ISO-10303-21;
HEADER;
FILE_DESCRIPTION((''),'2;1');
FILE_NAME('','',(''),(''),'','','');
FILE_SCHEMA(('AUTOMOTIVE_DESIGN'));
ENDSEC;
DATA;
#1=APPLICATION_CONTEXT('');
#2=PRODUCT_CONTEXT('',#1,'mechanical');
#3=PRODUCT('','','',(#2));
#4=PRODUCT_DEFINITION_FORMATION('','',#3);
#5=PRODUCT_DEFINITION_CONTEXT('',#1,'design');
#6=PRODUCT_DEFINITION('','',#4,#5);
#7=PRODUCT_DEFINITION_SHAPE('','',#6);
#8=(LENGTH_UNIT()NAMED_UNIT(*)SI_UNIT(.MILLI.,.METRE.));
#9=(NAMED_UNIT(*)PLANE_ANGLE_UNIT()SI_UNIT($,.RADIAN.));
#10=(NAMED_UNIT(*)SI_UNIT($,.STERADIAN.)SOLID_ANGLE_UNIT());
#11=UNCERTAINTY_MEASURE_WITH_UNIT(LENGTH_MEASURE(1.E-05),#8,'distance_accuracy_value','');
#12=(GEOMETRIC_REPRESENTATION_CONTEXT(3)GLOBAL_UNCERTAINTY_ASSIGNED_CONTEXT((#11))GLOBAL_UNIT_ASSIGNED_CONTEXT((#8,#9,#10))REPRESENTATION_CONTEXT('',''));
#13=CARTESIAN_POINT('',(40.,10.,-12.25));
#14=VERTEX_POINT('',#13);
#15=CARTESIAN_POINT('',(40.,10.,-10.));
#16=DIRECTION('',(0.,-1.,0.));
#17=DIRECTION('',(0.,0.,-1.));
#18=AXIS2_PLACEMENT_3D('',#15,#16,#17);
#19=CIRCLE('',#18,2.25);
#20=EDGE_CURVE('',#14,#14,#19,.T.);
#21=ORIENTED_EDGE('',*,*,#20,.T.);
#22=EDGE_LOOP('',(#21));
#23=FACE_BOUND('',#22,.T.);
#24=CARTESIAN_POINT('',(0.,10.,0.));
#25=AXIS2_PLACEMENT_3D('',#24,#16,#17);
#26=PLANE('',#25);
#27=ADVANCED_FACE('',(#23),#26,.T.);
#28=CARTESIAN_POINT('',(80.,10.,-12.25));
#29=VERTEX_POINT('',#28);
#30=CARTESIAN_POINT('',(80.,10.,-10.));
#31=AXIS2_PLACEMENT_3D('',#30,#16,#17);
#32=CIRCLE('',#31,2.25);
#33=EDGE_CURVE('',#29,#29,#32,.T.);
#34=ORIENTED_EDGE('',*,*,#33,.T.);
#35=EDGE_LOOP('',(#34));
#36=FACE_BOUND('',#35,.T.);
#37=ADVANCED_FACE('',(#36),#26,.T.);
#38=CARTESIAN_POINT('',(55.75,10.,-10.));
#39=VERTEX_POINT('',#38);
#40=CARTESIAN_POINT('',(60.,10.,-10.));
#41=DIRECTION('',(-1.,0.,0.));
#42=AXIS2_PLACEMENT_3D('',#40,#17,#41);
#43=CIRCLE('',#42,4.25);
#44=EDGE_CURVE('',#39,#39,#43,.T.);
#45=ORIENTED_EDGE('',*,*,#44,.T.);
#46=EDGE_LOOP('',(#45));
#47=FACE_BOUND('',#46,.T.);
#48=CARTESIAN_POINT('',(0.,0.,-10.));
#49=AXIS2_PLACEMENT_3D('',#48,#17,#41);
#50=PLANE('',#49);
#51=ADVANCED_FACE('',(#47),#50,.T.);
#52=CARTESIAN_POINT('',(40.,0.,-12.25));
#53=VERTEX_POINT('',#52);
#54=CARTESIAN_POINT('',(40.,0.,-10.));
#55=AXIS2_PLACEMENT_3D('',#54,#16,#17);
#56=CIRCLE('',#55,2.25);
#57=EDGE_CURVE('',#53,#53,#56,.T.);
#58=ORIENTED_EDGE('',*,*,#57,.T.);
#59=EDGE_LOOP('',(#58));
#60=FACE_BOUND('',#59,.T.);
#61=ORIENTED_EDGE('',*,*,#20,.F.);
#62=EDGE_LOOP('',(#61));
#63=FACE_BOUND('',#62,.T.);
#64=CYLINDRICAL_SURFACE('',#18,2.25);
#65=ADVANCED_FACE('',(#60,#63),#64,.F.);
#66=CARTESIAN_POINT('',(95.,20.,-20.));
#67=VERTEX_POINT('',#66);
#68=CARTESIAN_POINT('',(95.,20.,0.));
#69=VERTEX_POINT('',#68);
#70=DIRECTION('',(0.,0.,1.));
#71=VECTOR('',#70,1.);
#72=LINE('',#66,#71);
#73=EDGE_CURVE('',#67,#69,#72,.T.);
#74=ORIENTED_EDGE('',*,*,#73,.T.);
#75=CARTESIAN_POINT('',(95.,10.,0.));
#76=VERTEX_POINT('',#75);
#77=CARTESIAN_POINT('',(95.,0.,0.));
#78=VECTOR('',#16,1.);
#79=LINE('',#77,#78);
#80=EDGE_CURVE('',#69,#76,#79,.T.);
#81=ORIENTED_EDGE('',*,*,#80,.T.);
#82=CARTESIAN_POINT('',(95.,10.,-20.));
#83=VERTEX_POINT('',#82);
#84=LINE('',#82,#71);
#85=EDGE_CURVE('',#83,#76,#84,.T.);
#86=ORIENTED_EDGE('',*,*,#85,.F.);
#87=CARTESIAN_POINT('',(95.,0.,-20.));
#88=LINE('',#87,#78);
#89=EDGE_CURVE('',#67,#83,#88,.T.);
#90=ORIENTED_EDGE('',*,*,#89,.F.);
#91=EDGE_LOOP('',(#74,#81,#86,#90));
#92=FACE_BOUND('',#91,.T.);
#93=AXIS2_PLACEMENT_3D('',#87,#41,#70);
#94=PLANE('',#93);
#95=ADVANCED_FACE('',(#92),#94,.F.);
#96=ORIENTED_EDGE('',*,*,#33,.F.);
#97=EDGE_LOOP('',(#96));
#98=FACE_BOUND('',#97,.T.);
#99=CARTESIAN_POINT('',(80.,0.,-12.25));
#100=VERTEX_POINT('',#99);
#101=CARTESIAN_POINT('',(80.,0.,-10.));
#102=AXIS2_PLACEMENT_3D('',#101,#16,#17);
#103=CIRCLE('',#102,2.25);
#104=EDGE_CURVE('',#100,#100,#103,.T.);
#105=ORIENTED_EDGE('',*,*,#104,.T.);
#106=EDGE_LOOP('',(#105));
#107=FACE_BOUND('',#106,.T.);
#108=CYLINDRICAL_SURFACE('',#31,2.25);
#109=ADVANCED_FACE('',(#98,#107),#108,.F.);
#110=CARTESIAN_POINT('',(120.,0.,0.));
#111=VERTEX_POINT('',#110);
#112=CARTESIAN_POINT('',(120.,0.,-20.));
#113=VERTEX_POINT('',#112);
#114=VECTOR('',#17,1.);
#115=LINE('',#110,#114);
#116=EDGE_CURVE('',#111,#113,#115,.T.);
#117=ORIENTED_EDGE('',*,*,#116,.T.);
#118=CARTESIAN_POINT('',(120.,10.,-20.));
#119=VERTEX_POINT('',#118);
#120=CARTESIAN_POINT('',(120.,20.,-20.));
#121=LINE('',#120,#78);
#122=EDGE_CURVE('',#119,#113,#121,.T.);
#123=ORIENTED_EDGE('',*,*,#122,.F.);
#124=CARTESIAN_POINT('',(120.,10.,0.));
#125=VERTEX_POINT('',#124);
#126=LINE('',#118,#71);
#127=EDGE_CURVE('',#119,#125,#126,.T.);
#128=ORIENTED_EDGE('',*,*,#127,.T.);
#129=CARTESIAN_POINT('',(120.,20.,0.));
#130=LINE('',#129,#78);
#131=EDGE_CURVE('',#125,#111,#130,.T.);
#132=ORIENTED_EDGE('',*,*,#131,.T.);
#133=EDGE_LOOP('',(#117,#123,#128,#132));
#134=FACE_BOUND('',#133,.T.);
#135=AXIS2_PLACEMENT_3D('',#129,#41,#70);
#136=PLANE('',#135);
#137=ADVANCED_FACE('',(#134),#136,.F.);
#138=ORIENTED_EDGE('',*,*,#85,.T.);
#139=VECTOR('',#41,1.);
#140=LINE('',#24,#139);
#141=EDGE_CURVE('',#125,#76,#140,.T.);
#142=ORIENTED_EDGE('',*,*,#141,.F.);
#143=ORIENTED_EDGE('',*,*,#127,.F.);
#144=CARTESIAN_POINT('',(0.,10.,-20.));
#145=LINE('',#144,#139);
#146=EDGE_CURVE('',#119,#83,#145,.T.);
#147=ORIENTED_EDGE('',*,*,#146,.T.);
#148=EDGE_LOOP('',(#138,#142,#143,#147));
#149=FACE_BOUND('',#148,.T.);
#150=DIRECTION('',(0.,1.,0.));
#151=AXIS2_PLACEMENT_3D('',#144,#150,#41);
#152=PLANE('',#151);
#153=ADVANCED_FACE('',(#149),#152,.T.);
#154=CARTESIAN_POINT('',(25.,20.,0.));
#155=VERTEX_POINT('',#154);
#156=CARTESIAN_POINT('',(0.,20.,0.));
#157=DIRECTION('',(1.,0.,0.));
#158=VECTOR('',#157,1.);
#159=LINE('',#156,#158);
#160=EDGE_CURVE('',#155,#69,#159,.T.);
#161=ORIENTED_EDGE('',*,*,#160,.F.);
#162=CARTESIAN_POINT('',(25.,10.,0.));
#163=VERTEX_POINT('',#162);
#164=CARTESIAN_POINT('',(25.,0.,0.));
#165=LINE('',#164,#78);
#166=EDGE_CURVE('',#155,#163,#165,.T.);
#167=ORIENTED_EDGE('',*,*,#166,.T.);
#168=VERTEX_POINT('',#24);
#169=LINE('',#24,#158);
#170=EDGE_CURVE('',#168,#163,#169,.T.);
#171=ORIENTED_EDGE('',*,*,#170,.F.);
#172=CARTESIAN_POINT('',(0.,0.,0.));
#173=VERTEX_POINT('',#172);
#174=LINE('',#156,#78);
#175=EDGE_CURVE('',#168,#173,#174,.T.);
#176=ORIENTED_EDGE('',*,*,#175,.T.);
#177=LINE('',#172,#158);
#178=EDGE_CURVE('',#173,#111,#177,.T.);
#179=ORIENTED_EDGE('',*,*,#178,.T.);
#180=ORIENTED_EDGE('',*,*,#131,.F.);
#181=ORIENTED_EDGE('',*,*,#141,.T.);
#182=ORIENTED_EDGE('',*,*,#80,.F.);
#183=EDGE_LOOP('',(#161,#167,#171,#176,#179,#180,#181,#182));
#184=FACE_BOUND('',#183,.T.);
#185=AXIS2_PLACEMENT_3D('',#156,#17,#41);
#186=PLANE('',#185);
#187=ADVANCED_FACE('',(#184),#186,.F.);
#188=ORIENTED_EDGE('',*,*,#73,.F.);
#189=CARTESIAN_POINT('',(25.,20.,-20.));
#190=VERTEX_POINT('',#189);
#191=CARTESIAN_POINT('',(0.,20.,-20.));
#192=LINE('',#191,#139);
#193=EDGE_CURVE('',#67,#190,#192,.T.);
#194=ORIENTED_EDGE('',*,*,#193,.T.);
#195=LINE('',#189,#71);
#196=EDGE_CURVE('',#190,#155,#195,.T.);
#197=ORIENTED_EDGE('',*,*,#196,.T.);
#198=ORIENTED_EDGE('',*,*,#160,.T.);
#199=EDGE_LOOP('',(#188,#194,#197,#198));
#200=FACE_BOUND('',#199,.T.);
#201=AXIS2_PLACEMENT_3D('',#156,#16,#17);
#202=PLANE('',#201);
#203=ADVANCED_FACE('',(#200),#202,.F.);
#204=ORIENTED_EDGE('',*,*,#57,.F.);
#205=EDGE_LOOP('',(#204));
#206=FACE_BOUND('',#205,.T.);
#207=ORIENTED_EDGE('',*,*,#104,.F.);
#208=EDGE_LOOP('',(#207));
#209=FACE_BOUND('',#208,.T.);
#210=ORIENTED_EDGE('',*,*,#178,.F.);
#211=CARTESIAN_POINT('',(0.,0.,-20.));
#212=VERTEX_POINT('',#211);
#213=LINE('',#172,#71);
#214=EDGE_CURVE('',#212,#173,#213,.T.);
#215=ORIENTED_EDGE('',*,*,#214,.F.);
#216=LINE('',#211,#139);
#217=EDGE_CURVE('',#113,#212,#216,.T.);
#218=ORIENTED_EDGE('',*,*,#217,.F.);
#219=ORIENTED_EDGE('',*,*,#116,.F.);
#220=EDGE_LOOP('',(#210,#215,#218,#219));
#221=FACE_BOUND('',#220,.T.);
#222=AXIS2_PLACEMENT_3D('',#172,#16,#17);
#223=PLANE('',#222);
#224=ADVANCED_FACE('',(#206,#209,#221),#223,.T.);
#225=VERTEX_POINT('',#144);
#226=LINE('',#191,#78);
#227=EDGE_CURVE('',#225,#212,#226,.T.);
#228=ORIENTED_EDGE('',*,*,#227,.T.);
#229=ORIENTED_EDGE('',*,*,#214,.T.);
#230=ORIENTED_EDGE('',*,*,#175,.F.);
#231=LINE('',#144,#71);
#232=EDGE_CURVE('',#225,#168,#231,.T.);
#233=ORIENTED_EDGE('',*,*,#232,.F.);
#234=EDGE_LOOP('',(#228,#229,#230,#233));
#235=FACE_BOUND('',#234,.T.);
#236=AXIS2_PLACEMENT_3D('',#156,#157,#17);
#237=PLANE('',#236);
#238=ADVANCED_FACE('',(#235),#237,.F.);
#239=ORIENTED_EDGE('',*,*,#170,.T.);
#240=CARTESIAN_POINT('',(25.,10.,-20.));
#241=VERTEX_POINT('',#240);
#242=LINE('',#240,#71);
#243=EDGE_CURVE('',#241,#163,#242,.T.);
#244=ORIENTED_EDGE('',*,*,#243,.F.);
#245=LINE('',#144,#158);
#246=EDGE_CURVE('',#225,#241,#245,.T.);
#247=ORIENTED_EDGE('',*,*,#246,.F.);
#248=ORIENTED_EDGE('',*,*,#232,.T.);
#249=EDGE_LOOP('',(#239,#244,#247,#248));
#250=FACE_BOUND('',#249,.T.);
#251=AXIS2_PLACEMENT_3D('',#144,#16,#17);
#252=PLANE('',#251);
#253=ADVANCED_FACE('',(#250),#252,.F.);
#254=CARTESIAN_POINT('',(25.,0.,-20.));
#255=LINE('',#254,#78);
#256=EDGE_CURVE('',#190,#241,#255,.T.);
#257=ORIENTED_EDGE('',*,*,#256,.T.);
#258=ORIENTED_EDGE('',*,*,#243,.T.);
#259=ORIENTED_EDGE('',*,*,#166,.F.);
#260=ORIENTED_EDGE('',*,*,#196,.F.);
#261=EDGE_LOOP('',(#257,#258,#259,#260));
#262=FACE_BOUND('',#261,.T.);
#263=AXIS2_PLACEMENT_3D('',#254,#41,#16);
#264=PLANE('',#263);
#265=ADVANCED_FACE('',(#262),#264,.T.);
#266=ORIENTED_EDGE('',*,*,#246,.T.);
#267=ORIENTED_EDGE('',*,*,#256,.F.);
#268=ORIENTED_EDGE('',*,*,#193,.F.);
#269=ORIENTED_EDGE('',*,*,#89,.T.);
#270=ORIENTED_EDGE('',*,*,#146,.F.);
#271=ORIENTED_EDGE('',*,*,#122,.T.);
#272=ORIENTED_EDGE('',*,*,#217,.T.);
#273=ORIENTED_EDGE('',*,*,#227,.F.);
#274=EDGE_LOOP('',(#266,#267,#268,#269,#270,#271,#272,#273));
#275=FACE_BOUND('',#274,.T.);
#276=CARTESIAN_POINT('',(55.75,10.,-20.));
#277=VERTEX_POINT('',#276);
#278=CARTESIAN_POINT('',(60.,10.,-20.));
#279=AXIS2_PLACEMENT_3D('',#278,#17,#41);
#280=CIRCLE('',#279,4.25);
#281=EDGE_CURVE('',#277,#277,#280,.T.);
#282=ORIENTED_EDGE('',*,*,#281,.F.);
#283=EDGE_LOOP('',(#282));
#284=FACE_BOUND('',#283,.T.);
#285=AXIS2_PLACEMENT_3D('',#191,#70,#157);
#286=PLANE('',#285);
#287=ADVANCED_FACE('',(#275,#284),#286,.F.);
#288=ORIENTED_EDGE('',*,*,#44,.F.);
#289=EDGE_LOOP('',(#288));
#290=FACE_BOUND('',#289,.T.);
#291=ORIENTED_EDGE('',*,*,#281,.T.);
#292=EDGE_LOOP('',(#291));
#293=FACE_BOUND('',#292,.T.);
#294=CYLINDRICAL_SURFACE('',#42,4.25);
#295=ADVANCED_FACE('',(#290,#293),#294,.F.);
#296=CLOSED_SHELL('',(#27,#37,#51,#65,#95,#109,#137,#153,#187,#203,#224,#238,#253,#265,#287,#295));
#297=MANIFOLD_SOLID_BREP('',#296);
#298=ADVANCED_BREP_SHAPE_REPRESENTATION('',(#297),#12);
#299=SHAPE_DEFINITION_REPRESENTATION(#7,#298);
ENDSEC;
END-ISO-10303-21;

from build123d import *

# Parameters (mm, degrees)
SKETCH1_W           = 120
SKETCH1_H           = 20
BOSS_EXTRUDE1_DEPTH = 20
SKETCH2_W           = 25
SKETCH2_H           = 10
CUT_EXTRUDE1_DEPTH  = 20
SKETCH5_R           = 4.25
CUT_EXTRUDE3_DEPTH  = 10
SKETCH6_R           = 2.25
CUT_EXTRUDE4_DEPTH  = 10


with BuildPart() as part:
    # Sketch1 → Boss-Extrude1 (new body)
    with BuildSketch(Plane(origin=(0, 0, 0), x_dir=(1, 0, 0), z_dir=(0, 1, 0))):
        with Locations((60, 10)):
            Rectangle(SKETCH1_W, SKETCH1_H)
    extrude(amount=BOSS_EXTRUDE1_DEPTH)

    # Sketch2 → Cut-Extrude1 (cut)
    with BuildSketch(Plane.XY):
        with Locations((12.5, 15)):
            Rectangle(SKETCH2_W, SKETCH2_H)
        with Locations((107.5, 15)):
            Rectangle(SKETCH2_W, SKETCH2_H)
    extrude(amount=-CUT_EXTRUDE1_DEPTH, mode=Mode.SUBTRACT)

    # Sketch5 → Cut-Extrude3 (cut)
    with BuildSketch(Plane(origin=(0, 0, -20), x_dir=(-1, 0, 0), z_dir=(0, 0, -1))):
        with Locations((-60, 10)):
            Circle(SKETCH5_R)
    extrude(amount=-CUT_EXTRUDE3_DEPTH, mode=Mode.SUBTRACT)

    # Sketch6 → Cut-Extrude4 (cut)
    with BuildSketch(Plane(origin=(0, 0, 0), x_dir=(-1, 0, 0), z_dir=(0, -1, 0))):
        with Locations(Location((-80, 10, 0), (0, 0, 90))):
            Circle(SKETCH6_R)
        with Locations(Location((-40, 10, 0), (0, 0, 90))):
            Circle(SKETCH6_R)
    extrude(amount=-CUT_EXTRUDE4_DEPTH, mode=Mode.SUBTRACT)


solid = part.part
